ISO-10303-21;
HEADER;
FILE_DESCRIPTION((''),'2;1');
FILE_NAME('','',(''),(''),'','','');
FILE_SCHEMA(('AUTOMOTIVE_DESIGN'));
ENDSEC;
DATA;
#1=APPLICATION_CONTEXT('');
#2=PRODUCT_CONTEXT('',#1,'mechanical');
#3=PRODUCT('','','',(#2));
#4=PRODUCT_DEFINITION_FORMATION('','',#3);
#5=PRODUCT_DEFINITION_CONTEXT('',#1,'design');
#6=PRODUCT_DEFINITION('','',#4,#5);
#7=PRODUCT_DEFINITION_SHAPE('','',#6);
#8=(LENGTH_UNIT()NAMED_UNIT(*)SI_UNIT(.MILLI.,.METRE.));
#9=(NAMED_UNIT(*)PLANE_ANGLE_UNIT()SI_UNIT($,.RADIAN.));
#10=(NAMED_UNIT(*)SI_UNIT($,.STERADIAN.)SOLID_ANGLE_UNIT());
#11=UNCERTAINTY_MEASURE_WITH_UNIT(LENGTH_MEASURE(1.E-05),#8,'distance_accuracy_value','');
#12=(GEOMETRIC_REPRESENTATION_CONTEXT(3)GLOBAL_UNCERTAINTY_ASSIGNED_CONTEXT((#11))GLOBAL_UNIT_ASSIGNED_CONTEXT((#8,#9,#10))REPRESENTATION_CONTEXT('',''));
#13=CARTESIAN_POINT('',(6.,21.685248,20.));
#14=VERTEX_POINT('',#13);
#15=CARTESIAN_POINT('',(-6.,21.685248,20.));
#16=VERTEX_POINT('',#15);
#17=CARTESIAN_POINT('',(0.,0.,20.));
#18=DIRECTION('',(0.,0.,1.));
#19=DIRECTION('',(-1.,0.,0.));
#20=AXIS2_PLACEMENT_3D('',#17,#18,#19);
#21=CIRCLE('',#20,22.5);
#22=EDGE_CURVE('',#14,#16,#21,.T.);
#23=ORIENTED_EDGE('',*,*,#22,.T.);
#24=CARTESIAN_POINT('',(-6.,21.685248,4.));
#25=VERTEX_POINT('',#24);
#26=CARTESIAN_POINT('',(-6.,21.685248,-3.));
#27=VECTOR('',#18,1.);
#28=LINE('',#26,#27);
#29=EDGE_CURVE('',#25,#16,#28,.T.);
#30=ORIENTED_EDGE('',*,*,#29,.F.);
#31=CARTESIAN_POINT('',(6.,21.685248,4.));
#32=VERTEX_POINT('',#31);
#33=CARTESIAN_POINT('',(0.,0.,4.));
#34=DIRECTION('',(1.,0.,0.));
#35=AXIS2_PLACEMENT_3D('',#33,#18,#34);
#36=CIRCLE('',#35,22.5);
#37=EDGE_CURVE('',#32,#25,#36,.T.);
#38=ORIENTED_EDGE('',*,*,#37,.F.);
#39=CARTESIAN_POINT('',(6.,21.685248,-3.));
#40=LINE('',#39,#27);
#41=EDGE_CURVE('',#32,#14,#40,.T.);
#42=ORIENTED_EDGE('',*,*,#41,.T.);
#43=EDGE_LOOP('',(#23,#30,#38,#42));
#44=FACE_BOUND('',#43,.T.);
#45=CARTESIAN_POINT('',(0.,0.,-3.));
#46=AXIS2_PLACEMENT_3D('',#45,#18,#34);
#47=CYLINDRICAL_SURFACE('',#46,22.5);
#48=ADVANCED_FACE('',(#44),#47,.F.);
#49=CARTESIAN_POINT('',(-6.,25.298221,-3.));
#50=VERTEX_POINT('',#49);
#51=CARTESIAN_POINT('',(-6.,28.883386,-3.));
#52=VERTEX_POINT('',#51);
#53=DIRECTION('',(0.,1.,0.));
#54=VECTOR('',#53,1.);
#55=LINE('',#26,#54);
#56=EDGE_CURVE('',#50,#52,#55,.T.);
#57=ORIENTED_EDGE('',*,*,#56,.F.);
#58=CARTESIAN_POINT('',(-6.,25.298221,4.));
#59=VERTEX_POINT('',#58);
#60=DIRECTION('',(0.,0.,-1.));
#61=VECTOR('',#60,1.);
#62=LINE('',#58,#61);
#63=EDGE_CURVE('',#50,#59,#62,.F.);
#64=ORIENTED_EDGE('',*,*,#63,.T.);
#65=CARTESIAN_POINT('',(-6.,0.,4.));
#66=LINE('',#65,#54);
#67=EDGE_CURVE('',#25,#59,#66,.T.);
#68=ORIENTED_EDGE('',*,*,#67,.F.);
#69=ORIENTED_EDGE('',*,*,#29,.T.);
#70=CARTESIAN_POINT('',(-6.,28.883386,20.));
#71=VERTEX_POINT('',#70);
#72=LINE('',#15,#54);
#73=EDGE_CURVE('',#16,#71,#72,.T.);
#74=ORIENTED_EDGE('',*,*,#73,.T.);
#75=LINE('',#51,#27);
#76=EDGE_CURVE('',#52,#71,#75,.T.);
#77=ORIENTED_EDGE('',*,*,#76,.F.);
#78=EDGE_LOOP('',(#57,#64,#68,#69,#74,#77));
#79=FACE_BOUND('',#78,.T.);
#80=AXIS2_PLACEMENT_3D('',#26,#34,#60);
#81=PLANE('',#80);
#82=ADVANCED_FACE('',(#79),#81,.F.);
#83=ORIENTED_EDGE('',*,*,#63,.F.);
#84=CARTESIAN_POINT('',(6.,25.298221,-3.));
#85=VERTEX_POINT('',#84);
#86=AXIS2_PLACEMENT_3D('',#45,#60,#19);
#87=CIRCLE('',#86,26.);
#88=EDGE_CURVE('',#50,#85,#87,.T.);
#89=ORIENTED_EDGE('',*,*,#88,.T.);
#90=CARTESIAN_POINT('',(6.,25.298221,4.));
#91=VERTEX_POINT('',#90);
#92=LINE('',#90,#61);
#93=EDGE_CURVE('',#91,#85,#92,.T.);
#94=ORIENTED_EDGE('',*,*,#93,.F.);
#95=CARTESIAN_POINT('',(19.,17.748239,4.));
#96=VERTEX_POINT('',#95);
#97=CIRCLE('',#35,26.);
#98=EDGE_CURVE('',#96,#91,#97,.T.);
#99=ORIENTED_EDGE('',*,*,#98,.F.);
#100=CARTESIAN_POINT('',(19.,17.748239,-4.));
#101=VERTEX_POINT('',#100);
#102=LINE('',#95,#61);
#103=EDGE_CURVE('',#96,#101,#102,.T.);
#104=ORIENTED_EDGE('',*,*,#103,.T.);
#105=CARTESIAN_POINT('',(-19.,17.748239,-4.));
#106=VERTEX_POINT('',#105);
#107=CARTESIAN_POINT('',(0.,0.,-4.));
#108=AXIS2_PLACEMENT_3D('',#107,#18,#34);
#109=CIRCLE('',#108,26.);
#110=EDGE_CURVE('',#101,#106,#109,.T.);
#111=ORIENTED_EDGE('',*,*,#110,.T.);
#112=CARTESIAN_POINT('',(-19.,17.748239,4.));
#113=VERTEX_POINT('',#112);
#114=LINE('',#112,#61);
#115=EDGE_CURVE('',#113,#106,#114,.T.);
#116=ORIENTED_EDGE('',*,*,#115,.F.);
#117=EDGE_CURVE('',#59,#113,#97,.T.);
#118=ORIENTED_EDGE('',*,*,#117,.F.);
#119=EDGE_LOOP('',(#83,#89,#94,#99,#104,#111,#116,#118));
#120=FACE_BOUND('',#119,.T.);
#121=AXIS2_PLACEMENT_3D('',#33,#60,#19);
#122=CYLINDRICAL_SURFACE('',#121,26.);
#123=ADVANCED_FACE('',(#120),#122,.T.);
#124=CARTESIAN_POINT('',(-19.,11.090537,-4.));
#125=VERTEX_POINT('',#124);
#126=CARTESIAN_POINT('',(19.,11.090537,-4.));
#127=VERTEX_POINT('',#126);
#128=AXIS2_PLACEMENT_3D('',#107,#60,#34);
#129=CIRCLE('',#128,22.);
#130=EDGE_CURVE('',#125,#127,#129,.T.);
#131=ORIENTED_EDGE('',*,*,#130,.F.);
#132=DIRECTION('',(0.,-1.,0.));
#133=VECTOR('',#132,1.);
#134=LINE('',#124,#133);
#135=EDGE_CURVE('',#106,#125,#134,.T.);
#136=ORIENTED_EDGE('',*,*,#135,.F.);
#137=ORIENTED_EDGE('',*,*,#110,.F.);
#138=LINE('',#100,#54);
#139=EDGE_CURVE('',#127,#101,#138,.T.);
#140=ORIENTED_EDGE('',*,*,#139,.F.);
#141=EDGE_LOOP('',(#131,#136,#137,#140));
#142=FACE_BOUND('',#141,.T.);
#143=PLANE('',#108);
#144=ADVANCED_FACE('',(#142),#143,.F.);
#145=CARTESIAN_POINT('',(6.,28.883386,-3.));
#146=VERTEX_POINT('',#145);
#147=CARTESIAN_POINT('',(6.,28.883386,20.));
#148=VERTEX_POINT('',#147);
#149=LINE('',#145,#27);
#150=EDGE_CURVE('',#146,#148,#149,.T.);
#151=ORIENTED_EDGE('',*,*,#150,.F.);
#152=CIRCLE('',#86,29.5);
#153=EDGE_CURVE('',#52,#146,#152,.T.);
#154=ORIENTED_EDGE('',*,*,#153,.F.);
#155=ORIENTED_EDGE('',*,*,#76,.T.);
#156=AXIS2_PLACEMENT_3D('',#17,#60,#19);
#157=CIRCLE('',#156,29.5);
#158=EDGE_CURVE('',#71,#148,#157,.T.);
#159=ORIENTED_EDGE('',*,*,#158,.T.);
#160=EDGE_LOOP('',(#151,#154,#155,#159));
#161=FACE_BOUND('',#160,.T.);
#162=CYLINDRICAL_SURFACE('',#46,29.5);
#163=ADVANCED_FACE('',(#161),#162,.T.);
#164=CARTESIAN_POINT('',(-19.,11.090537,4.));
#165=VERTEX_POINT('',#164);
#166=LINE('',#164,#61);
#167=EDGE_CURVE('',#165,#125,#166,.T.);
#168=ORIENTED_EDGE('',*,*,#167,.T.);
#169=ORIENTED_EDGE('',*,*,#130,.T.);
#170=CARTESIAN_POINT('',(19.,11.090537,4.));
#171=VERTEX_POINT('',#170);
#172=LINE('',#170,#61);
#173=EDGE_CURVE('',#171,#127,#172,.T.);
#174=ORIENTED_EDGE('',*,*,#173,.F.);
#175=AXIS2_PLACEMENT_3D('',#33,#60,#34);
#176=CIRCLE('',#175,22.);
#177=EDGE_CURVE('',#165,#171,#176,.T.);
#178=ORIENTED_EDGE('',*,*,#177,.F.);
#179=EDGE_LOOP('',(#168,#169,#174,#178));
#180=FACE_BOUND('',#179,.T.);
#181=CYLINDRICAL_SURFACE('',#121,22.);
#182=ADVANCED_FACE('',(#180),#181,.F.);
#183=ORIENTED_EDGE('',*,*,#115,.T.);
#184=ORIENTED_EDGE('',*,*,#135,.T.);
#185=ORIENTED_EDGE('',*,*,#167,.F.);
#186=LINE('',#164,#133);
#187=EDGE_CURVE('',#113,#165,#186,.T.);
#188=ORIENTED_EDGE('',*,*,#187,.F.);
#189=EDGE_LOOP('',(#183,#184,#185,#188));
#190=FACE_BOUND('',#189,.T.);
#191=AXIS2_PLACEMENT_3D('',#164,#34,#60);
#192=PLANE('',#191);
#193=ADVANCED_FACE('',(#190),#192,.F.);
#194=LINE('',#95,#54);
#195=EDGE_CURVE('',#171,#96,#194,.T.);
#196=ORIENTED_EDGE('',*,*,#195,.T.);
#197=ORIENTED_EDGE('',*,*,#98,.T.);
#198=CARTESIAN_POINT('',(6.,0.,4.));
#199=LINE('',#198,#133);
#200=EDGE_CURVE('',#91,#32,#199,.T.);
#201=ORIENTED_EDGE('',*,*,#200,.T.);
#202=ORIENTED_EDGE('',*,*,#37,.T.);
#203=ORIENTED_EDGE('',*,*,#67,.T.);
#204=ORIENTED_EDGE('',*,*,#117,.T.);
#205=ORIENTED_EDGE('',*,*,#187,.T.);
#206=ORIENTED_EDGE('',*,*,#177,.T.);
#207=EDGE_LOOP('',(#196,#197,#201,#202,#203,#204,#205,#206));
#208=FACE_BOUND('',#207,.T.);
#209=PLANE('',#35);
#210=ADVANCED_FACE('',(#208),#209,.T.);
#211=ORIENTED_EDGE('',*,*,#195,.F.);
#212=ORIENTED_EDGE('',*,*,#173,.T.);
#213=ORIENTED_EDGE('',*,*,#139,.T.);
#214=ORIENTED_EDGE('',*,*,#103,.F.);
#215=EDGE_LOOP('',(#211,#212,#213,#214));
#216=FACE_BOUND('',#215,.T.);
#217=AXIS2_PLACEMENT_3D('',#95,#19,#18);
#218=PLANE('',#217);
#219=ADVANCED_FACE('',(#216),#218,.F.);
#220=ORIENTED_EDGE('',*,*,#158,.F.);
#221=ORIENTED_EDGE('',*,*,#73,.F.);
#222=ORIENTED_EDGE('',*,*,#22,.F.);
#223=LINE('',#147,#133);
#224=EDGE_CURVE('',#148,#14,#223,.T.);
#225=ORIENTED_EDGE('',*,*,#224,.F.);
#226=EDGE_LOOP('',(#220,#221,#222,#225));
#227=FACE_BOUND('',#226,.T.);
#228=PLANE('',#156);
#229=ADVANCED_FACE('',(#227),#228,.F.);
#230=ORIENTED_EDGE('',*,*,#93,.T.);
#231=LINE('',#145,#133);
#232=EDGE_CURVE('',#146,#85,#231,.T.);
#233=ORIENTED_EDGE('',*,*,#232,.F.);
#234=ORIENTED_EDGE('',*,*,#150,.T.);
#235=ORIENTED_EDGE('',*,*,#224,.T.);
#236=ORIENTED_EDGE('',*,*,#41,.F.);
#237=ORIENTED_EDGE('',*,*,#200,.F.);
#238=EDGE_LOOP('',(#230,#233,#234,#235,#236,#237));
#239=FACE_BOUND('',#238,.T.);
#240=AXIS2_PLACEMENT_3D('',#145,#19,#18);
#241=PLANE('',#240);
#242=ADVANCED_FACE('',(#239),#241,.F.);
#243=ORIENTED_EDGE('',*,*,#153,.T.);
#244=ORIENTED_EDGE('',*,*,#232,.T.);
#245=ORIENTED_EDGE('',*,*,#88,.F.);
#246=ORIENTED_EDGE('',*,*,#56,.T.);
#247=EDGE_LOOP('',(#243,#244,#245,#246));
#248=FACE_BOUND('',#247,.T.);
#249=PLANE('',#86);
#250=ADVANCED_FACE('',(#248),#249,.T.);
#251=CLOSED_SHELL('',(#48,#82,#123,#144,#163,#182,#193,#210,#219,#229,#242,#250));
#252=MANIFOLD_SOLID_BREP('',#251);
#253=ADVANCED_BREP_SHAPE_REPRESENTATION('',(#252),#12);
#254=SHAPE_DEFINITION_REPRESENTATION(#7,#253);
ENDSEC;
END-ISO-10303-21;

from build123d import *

# Parameters (mm, degrees)
EXTRUDE1_DEPTH      = 4
EXTRUDE2_DEPTH      = 7
EXTRUDE2_DEPTH_BACK = 16


with BuildPart() as part:
    # Sketch1 → Extrude1 (new, symmetric)
    with BuildSketch(Plane.XY):
        with BuildLine():
            Line((-19, 11.090536506), (-19, 17.748239349))
            ThreePointArc((-19, 17.748239349), (0, 26), (19, 17.748239349))
            Line((19, 17.748239349), (19, 11.090536506))
            ThreePointArc((19, 11.090536506), (0, 22), (-19, 11.090536506))
        make_face()
    extrude(amount=EXTRUDE1_DEPTH, both=True)

    # Sketch2 → Extrude2 (add, two sides: drawn at the far end of the back side and taken through both)
    with BuildSketch(Plane(origin=(0, 0, 4), x_dir=(-1, 0, 0), z_dir=(0, 0, -1)).offset(-EXTRUDE2_DEPTH_BACK)):
        with BuildLine():
            Line((6, 21.685248442), (6, 28.883386228))
            ThreePointArc((6, 28.883386228), (0, 29.5), (-6, 28.883386228))
            Line((-6, 28.883386228), (-6, 21.685248442))
            ThreePointArc((-6, 21.685248442), (0, 22.5), (6, 21.685248442))
        make_face()
    extrude(amount=EXTRUDE2_DEPTH + EXTRUDE2_DEPTH_BACK)


solid = part.part
